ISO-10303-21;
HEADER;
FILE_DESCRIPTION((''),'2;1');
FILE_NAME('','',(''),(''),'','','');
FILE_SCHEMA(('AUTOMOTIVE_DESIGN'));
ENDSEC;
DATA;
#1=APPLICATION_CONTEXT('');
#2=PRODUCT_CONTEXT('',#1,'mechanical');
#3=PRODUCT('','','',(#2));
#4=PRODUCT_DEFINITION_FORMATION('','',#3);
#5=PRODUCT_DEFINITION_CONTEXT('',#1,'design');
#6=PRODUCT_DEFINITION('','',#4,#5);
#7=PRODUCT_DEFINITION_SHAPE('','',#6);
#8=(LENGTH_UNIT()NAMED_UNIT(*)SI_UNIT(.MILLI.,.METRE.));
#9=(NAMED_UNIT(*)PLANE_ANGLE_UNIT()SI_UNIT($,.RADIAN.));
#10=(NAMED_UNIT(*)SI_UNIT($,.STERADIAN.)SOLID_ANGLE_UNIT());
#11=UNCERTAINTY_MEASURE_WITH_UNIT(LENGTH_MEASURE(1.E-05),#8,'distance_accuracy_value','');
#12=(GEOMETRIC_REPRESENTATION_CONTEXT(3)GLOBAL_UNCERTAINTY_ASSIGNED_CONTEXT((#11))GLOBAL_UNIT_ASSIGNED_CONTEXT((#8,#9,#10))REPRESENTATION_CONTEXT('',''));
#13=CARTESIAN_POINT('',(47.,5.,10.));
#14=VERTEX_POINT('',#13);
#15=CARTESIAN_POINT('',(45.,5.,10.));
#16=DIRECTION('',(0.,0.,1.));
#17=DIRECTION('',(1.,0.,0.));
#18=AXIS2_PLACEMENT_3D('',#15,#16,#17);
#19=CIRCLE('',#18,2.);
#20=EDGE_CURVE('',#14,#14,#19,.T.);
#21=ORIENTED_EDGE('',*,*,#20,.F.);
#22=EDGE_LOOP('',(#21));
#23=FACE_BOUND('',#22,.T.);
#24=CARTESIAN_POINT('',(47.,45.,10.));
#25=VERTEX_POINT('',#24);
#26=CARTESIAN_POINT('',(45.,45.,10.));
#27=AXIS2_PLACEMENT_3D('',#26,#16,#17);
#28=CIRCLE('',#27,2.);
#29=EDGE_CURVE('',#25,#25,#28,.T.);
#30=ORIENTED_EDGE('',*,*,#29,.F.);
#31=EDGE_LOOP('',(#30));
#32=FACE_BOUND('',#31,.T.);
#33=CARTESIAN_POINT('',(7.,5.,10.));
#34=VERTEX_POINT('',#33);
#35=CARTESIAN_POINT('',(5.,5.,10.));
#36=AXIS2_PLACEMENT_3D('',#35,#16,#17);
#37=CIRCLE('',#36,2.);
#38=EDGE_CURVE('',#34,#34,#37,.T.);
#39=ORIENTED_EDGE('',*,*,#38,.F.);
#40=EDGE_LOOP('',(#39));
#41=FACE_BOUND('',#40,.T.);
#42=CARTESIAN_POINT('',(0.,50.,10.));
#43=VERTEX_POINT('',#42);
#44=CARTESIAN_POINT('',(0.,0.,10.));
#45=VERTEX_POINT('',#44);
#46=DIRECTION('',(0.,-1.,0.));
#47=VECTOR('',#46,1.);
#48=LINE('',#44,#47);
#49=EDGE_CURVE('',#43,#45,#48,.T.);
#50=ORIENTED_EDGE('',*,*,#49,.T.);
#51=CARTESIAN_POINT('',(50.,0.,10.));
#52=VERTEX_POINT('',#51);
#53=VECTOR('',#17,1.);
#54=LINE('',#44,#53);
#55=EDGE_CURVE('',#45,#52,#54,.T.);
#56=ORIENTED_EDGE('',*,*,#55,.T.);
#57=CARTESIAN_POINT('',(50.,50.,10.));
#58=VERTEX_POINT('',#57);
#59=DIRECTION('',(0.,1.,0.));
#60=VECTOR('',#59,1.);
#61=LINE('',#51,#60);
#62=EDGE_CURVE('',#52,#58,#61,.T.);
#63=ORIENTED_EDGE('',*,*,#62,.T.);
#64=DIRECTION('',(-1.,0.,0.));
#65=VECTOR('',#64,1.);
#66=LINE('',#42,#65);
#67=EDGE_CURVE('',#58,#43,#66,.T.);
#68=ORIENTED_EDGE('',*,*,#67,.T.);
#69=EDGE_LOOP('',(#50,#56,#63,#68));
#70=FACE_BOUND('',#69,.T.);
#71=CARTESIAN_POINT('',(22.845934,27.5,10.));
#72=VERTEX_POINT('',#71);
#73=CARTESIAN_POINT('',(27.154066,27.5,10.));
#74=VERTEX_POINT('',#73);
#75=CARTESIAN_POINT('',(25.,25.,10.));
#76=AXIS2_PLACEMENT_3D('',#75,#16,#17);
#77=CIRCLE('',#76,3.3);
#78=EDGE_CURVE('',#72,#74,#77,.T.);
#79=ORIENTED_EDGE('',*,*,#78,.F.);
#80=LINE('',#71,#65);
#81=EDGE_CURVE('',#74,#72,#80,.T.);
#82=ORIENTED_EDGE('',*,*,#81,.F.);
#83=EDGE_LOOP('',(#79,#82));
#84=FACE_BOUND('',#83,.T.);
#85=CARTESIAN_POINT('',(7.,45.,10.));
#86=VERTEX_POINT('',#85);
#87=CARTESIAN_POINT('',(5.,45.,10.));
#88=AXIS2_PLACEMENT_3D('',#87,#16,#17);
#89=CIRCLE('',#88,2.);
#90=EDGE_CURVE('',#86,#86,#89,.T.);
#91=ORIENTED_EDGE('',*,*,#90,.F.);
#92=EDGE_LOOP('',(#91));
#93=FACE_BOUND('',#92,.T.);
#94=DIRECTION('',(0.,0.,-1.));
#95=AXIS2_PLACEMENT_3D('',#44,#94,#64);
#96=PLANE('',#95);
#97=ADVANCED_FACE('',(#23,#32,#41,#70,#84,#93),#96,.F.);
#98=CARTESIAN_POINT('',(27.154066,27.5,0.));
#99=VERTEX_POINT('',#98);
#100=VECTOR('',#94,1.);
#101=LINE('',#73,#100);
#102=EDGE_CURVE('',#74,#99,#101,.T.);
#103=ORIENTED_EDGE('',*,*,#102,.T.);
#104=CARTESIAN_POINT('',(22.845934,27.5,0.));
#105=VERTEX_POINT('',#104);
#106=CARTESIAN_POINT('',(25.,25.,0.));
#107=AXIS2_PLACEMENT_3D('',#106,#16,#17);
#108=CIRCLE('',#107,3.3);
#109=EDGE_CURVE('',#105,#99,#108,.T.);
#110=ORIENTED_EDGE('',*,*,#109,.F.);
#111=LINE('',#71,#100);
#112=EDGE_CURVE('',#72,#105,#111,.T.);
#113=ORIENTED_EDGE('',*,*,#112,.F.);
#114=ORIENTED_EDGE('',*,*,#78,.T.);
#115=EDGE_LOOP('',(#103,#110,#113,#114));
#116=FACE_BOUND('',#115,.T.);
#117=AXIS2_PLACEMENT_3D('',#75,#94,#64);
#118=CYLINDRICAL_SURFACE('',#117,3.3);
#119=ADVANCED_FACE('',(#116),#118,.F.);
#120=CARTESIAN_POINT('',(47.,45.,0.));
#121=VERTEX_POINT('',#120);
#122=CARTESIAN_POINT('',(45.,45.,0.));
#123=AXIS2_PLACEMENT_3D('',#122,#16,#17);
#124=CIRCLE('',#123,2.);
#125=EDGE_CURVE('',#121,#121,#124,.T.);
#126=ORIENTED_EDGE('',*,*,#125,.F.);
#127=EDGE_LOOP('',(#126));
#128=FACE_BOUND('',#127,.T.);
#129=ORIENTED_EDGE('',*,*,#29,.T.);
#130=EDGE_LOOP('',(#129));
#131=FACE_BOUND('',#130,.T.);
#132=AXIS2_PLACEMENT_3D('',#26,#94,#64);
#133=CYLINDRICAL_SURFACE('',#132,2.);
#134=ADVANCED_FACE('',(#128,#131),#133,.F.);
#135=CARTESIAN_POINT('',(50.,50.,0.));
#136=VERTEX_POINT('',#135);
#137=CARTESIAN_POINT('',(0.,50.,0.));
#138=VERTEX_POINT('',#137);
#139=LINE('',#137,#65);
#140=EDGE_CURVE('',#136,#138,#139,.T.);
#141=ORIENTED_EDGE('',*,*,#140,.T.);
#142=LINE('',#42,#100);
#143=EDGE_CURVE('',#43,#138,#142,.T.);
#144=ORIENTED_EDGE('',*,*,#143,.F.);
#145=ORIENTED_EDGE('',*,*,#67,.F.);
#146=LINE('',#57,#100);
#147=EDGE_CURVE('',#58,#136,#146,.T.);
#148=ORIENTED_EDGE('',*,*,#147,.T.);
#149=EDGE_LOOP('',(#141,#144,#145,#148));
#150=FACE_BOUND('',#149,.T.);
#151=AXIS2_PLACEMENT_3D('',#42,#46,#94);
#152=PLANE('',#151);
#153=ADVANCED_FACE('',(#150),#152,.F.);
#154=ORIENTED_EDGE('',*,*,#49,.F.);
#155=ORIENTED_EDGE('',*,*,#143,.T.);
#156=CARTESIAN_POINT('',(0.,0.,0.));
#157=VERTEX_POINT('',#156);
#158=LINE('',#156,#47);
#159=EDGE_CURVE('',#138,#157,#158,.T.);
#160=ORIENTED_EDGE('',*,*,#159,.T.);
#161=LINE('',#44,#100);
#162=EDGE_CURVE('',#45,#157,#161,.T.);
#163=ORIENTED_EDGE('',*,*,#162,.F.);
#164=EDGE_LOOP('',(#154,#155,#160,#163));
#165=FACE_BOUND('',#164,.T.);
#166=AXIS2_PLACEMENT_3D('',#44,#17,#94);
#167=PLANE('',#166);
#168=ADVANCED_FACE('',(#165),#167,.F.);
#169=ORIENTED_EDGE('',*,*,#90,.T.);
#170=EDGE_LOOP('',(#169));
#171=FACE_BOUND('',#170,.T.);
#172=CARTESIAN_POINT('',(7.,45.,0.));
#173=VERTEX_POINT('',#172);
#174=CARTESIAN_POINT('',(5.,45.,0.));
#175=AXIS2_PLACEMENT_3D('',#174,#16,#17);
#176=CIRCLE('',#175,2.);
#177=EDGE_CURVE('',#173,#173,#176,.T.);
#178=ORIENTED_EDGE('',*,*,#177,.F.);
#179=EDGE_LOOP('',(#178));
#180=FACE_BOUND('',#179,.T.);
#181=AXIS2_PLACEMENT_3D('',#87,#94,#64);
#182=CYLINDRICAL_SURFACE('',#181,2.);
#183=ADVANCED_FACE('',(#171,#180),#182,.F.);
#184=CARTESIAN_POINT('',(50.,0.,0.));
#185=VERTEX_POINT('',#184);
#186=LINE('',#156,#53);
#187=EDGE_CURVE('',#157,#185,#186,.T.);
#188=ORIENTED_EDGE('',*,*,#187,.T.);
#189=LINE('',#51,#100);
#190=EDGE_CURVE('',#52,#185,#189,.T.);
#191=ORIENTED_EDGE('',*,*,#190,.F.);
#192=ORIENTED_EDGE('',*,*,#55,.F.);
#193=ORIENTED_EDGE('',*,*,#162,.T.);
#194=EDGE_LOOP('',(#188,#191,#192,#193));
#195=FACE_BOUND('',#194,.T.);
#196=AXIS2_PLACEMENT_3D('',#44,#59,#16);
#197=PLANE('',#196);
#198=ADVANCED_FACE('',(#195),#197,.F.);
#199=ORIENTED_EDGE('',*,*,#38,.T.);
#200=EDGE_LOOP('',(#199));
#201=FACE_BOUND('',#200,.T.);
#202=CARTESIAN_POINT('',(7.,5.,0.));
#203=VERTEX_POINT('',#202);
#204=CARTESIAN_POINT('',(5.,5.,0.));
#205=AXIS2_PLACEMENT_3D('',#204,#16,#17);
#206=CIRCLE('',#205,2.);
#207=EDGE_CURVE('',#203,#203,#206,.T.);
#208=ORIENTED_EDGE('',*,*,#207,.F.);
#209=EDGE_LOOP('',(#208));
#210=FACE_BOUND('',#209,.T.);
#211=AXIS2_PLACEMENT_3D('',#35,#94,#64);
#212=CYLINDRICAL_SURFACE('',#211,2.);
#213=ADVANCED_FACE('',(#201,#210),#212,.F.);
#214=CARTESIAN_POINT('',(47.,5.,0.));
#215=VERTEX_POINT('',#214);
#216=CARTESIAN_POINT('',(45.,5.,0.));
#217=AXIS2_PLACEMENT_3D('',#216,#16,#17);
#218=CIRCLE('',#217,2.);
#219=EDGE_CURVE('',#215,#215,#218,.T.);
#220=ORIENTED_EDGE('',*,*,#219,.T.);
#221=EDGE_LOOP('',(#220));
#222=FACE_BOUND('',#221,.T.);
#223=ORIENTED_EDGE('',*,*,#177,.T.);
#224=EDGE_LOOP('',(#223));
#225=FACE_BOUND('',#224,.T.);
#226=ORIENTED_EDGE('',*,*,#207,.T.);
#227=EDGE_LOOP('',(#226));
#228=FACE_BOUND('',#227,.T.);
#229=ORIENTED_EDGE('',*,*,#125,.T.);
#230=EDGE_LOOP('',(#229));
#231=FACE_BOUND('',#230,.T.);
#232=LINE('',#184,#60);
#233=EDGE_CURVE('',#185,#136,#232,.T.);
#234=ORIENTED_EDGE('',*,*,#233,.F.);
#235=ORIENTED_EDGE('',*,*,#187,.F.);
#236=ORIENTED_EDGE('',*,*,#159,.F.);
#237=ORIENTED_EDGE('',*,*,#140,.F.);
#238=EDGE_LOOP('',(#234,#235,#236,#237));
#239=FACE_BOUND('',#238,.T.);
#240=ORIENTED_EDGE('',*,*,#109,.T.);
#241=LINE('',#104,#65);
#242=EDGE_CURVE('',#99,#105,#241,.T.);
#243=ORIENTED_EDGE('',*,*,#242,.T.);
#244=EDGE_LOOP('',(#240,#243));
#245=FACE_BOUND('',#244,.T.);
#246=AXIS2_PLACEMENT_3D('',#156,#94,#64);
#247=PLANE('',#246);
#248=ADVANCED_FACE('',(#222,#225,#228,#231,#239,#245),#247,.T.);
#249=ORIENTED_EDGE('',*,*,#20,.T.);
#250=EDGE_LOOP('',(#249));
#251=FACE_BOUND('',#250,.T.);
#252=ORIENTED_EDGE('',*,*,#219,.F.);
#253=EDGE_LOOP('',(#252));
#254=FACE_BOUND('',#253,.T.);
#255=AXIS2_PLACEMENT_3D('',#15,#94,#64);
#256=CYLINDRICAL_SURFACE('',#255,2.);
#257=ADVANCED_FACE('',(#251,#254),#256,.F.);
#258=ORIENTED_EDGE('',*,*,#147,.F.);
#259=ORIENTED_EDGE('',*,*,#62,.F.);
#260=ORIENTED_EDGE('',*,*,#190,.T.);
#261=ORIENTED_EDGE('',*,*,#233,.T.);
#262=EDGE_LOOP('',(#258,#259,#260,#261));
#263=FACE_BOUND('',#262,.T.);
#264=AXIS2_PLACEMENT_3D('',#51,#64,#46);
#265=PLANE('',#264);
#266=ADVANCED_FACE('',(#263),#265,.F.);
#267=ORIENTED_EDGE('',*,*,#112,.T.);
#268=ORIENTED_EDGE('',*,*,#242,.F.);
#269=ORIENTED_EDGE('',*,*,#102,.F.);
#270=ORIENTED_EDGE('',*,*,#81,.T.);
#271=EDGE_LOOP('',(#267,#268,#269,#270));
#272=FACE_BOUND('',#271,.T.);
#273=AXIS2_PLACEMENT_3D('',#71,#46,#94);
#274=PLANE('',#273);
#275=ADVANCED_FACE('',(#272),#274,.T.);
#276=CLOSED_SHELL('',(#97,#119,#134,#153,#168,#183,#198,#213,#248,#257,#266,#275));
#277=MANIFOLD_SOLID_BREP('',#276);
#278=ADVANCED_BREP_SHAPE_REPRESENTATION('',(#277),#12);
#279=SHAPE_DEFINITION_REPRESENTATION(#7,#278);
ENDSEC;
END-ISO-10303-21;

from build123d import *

# Parameters (mm, degrees)
IZIM1_W                     = 50
IZIM1_H                     = 50
IZIM1_R                     = 2
Y_KSEKLIK_EKSTR_ZYON1_DEPTH = 10


with BuildPart() as part:
    # Çizim1 → Yükseklik-Ekstrüzyon1 (new body)
    with BuildSketch(Plane.XY):
        with Locations((25, 25)):
            Rectangle(IZIM1_W, IZIM1_H)
        with Locations((5, 45)):
            Circle(IZIM1_R, mode=Mode.SUBTRACT)
        with Locations((45, 45)):
            Circle(IZIM1_R, mode=Mode.SUBTRACT)
        with Locations((45, 5)):
            Circle(IZIM1_R, mode=Mode.SUBTRACT)
        with Locations((5, 5)):
            Circle(IZIM1_R, mode=Mode.SUBTRACT)
        with BuildLine():
            Line((22.845934077, 27.5), (27.154065923, 27.5))
            ThreePointArc((27.154065923, 27.5), (25, 21.7), (22.845934077, 27.5))
        make_face(mode=Mode.SUBTRACT)
    extrude(amount=Y_KSEKLIK_EKSTR_ZYON1_DEPTH)


solid = part.part
